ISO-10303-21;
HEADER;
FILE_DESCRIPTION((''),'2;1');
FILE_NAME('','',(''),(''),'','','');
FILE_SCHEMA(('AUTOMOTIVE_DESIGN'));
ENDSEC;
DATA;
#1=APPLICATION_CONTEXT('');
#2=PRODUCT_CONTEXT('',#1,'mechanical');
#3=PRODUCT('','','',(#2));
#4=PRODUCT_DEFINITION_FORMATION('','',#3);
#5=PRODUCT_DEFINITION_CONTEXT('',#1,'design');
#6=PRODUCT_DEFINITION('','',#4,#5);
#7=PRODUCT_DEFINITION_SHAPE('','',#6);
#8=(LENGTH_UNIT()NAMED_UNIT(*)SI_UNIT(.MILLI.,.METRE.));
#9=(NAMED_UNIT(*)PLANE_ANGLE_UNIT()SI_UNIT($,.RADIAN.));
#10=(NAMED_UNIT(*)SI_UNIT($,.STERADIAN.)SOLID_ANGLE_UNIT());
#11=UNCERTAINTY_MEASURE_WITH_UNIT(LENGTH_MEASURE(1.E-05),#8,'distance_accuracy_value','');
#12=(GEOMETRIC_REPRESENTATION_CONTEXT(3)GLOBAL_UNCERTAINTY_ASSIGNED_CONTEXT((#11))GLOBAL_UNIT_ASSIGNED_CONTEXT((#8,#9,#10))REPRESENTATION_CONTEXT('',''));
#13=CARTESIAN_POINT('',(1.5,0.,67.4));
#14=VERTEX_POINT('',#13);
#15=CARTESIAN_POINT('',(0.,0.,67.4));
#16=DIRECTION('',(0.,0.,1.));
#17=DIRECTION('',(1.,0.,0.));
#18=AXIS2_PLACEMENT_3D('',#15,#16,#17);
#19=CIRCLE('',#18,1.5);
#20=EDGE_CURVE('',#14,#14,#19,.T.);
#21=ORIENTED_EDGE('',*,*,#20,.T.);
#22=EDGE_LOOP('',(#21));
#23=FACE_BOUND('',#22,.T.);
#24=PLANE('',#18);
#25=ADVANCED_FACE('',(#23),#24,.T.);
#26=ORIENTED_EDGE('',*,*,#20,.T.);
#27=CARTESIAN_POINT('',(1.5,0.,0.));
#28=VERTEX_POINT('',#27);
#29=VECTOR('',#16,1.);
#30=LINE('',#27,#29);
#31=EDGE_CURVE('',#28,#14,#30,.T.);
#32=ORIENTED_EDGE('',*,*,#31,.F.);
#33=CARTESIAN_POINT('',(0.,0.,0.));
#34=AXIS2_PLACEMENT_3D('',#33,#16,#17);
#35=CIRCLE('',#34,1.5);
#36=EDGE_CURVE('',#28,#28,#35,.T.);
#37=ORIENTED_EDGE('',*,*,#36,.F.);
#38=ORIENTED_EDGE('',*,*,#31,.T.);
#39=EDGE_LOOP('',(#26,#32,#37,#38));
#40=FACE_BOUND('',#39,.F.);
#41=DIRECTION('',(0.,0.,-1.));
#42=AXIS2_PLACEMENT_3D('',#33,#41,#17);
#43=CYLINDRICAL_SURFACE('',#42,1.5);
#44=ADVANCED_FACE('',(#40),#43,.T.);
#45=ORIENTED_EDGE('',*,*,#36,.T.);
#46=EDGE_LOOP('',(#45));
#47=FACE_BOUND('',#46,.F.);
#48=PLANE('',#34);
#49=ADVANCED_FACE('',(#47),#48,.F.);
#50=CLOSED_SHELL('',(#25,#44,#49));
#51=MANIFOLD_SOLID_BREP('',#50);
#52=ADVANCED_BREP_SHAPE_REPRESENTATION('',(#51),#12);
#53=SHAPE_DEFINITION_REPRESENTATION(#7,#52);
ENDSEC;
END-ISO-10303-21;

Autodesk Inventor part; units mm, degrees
ref_plane "YZ Plane" through (0, 0, 0) normal (1, 0, 0) x (0, 1, 0)
ref_plane "XZ Plane" through (0, 0, 0) normal (0, 1, 0) x (-1, 0, 0)
ref_plane "XY Plane" through (0, 0, 0) normal (0, 0, 1) x (1, 0, 0)
sketch "スケッチ1" plane through (0, 0, 0) normal (0, 0, 1) x (1, 0, 0)
  circle A0 centre (0, 0) radius 1.5
  dimension "d0" = 3
extrude "押し出し1" add sketch "スケッチ1" along normal blind 67.4
properties part number "shaftA"
